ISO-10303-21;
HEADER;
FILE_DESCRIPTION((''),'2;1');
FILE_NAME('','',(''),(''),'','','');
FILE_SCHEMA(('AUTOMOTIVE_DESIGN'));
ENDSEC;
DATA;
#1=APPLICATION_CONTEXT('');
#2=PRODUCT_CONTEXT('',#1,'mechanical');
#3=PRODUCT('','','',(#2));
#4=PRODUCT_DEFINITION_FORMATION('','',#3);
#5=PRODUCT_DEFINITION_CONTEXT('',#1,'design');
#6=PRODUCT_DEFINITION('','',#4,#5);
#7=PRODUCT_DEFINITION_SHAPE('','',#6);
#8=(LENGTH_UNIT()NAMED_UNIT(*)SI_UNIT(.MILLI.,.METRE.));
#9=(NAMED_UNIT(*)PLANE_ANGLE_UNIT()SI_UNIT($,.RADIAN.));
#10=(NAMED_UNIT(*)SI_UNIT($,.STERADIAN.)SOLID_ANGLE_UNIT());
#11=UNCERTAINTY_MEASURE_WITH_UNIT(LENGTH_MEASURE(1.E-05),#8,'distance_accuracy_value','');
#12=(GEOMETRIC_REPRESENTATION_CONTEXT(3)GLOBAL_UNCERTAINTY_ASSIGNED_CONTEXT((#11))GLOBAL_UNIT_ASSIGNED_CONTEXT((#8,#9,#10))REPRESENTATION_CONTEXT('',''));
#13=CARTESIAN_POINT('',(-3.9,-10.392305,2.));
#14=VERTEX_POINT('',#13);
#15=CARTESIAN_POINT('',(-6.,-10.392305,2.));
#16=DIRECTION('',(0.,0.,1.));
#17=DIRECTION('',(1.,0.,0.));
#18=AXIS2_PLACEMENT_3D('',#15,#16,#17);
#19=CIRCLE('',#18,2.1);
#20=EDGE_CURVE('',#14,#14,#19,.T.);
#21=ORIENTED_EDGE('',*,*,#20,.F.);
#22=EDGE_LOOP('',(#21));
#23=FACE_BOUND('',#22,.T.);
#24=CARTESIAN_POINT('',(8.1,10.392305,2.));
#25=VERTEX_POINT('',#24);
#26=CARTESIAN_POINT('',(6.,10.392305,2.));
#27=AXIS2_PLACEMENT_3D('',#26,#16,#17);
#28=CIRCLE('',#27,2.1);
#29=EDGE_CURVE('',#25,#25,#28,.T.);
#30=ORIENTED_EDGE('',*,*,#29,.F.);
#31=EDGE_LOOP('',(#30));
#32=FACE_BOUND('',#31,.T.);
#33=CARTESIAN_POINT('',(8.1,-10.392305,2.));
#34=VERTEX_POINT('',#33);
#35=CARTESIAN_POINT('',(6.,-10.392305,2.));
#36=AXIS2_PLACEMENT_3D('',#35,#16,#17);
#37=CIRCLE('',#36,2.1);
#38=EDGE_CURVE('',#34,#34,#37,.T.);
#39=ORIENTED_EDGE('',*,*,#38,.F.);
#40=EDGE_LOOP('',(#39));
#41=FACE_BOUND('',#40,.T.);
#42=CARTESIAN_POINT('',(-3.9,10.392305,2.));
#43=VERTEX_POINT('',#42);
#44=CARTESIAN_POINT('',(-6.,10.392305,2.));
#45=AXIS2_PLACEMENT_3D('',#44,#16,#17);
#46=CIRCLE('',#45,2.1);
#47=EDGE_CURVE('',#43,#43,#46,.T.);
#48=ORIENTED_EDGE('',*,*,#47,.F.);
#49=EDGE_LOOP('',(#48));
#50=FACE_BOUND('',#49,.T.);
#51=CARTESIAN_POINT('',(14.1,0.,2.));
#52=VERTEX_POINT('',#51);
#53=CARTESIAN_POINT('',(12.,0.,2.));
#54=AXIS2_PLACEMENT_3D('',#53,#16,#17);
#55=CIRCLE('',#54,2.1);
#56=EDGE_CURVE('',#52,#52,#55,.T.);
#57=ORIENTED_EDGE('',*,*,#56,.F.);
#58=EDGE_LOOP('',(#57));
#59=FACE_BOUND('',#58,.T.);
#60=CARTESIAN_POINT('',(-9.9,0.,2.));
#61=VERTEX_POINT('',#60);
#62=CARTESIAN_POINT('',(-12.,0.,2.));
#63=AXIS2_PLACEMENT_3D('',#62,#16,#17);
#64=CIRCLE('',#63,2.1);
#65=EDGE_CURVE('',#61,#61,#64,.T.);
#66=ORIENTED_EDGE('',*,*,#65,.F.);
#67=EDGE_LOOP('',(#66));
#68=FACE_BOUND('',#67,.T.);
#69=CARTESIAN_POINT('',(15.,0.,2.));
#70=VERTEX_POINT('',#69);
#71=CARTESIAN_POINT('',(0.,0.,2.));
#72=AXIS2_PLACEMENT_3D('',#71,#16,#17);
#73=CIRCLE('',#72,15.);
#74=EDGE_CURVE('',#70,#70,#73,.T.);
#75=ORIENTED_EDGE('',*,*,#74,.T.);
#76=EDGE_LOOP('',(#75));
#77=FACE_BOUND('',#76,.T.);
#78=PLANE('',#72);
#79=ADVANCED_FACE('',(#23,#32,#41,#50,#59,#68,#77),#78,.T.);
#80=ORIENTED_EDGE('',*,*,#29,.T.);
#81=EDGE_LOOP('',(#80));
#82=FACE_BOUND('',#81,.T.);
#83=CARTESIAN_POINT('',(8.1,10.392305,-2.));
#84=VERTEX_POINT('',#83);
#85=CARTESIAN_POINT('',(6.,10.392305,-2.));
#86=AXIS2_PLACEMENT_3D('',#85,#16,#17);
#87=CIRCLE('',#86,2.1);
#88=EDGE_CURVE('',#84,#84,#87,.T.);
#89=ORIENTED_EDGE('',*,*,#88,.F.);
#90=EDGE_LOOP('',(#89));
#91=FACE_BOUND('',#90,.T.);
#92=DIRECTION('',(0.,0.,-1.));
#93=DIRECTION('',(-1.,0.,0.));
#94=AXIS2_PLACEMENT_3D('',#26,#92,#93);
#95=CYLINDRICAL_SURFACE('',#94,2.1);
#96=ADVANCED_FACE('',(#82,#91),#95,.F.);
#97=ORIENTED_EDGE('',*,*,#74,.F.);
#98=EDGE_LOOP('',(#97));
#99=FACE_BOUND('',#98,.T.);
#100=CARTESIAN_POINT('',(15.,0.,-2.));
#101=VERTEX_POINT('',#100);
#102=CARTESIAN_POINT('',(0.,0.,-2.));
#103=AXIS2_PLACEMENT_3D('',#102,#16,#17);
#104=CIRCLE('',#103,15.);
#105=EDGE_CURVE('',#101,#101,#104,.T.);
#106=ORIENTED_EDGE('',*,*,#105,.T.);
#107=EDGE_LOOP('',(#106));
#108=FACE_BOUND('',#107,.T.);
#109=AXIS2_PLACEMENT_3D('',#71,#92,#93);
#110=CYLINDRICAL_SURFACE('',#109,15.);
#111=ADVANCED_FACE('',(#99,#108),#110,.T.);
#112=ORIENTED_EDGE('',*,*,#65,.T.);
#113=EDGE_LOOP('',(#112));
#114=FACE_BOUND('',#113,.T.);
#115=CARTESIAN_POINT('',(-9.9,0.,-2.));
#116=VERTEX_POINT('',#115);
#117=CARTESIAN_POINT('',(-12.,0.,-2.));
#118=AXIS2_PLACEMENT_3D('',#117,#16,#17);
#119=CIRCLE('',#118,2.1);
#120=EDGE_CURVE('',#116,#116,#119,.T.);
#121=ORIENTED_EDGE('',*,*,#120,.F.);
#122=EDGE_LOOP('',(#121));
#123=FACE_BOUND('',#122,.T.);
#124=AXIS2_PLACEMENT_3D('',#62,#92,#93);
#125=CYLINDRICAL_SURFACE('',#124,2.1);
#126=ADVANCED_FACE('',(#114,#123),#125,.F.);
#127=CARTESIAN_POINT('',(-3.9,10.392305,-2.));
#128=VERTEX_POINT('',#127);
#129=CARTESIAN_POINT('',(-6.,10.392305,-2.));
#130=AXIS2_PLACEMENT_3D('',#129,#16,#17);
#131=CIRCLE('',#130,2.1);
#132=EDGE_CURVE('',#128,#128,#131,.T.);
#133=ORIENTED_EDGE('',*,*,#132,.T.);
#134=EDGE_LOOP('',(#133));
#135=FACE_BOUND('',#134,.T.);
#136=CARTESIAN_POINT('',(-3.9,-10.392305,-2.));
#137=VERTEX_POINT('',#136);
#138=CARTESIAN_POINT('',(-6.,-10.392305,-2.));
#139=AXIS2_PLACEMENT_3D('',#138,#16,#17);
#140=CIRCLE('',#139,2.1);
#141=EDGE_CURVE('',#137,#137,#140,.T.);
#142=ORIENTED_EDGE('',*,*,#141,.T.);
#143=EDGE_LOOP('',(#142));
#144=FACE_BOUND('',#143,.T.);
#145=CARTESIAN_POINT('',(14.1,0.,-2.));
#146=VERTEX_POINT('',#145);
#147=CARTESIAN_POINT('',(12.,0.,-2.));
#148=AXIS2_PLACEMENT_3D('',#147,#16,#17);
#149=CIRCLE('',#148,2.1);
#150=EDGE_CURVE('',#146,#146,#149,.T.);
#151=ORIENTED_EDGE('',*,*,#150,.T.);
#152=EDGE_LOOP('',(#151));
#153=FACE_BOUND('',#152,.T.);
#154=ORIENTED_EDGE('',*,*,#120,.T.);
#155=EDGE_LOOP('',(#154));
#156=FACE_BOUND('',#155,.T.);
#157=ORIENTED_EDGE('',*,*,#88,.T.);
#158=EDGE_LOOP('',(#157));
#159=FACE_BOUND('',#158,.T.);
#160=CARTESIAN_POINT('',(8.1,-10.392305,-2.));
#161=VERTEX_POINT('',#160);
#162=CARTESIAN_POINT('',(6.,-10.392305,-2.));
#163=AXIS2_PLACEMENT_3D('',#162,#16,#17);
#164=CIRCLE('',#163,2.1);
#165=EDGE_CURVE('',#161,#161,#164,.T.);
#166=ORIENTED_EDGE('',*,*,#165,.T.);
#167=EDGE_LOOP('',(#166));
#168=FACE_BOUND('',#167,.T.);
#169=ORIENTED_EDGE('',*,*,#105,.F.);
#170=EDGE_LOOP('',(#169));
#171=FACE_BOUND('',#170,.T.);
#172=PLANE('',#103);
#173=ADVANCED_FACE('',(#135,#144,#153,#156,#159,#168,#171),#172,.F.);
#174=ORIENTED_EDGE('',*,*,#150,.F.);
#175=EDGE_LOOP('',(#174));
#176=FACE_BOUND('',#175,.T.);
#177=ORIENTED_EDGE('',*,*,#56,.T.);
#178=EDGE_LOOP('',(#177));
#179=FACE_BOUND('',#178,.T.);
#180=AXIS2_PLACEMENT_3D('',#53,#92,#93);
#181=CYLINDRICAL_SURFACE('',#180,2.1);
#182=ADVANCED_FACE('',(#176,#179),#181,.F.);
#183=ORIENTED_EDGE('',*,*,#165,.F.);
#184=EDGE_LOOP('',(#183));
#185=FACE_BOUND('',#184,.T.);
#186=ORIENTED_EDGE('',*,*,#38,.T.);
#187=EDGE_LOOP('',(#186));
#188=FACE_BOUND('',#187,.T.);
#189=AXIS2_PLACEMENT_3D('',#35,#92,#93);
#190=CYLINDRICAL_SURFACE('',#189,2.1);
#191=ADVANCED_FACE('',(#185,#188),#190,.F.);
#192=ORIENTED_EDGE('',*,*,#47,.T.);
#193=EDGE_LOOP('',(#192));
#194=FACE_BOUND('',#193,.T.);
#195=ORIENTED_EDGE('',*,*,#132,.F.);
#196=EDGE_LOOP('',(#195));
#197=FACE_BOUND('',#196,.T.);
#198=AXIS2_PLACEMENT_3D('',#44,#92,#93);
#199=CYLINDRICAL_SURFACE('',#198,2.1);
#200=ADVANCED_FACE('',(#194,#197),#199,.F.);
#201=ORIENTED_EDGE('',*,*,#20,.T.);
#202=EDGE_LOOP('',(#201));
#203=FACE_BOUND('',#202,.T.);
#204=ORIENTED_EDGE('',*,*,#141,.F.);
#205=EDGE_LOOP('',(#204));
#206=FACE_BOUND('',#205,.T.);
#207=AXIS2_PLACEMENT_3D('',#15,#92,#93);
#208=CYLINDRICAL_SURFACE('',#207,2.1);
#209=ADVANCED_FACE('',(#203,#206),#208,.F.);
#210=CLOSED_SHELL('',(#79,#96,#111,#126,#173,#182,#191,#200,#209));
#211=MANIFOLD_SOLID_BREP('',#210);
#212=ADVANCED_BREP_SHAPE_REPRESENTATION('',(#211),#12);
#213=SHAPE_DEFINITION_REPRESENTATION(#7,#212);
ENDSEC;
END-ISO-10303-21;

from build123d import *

# Parameters (mm, degrees)
SKETCH1_R           = 15
SKETCH1_R_2         = 2.1
BOSS_EXTRUDE1_DEPTH = 2


with BuildPart() as part:
    # Sketch1 → Boss-Extrude1 (new, symmetric)
    with BuildSketch(Plane(origin=(0, 0, 0), x_dir=(0, 1, 0), z_dir=(0, 0, 1))):
        with Locations(Location((0, 0, 0), (0, 0, 270))):
            Circle(SKETCH1_R)
        with Locations(Location((0, 12, 0), (0, 0, 270))):
            Circle(SKETCH1_R_2, mode=Mode.SUBTRACT)
        with Locations(Location((10.392304845, 6, 0), (0, 0, 270))):
            Circle(SKETCH1_R_2, mode=Mode.SUBTRACT)
        with Locations(Location((10.392304845, -6, 0), (0, 0, 270))):
            Circle(SKETCH1_R_2, mode=Mode.SUBTRACT)
        with Locations(Location((0, -12, 0), (0, 0, 270))):
            Circle(SKETCH1_R_2, mode=Mode.SUBTRACT)
        with Locations(Location((-10.392304845, -6, 0), (0, 0, 270))):
            Circle(SKETCH1_R_2, mode=Mode.SUBTRACT)
        with Locations(Location((-10.392304845, 6, 0), (0, 0, 270))):
            Circle(SKETCH1_R_2, mode=Mode.SUBTRACT)
    extrude(amount=BOSS_EXTRUDE1_DEPTH, both=True)


solid = part.part
